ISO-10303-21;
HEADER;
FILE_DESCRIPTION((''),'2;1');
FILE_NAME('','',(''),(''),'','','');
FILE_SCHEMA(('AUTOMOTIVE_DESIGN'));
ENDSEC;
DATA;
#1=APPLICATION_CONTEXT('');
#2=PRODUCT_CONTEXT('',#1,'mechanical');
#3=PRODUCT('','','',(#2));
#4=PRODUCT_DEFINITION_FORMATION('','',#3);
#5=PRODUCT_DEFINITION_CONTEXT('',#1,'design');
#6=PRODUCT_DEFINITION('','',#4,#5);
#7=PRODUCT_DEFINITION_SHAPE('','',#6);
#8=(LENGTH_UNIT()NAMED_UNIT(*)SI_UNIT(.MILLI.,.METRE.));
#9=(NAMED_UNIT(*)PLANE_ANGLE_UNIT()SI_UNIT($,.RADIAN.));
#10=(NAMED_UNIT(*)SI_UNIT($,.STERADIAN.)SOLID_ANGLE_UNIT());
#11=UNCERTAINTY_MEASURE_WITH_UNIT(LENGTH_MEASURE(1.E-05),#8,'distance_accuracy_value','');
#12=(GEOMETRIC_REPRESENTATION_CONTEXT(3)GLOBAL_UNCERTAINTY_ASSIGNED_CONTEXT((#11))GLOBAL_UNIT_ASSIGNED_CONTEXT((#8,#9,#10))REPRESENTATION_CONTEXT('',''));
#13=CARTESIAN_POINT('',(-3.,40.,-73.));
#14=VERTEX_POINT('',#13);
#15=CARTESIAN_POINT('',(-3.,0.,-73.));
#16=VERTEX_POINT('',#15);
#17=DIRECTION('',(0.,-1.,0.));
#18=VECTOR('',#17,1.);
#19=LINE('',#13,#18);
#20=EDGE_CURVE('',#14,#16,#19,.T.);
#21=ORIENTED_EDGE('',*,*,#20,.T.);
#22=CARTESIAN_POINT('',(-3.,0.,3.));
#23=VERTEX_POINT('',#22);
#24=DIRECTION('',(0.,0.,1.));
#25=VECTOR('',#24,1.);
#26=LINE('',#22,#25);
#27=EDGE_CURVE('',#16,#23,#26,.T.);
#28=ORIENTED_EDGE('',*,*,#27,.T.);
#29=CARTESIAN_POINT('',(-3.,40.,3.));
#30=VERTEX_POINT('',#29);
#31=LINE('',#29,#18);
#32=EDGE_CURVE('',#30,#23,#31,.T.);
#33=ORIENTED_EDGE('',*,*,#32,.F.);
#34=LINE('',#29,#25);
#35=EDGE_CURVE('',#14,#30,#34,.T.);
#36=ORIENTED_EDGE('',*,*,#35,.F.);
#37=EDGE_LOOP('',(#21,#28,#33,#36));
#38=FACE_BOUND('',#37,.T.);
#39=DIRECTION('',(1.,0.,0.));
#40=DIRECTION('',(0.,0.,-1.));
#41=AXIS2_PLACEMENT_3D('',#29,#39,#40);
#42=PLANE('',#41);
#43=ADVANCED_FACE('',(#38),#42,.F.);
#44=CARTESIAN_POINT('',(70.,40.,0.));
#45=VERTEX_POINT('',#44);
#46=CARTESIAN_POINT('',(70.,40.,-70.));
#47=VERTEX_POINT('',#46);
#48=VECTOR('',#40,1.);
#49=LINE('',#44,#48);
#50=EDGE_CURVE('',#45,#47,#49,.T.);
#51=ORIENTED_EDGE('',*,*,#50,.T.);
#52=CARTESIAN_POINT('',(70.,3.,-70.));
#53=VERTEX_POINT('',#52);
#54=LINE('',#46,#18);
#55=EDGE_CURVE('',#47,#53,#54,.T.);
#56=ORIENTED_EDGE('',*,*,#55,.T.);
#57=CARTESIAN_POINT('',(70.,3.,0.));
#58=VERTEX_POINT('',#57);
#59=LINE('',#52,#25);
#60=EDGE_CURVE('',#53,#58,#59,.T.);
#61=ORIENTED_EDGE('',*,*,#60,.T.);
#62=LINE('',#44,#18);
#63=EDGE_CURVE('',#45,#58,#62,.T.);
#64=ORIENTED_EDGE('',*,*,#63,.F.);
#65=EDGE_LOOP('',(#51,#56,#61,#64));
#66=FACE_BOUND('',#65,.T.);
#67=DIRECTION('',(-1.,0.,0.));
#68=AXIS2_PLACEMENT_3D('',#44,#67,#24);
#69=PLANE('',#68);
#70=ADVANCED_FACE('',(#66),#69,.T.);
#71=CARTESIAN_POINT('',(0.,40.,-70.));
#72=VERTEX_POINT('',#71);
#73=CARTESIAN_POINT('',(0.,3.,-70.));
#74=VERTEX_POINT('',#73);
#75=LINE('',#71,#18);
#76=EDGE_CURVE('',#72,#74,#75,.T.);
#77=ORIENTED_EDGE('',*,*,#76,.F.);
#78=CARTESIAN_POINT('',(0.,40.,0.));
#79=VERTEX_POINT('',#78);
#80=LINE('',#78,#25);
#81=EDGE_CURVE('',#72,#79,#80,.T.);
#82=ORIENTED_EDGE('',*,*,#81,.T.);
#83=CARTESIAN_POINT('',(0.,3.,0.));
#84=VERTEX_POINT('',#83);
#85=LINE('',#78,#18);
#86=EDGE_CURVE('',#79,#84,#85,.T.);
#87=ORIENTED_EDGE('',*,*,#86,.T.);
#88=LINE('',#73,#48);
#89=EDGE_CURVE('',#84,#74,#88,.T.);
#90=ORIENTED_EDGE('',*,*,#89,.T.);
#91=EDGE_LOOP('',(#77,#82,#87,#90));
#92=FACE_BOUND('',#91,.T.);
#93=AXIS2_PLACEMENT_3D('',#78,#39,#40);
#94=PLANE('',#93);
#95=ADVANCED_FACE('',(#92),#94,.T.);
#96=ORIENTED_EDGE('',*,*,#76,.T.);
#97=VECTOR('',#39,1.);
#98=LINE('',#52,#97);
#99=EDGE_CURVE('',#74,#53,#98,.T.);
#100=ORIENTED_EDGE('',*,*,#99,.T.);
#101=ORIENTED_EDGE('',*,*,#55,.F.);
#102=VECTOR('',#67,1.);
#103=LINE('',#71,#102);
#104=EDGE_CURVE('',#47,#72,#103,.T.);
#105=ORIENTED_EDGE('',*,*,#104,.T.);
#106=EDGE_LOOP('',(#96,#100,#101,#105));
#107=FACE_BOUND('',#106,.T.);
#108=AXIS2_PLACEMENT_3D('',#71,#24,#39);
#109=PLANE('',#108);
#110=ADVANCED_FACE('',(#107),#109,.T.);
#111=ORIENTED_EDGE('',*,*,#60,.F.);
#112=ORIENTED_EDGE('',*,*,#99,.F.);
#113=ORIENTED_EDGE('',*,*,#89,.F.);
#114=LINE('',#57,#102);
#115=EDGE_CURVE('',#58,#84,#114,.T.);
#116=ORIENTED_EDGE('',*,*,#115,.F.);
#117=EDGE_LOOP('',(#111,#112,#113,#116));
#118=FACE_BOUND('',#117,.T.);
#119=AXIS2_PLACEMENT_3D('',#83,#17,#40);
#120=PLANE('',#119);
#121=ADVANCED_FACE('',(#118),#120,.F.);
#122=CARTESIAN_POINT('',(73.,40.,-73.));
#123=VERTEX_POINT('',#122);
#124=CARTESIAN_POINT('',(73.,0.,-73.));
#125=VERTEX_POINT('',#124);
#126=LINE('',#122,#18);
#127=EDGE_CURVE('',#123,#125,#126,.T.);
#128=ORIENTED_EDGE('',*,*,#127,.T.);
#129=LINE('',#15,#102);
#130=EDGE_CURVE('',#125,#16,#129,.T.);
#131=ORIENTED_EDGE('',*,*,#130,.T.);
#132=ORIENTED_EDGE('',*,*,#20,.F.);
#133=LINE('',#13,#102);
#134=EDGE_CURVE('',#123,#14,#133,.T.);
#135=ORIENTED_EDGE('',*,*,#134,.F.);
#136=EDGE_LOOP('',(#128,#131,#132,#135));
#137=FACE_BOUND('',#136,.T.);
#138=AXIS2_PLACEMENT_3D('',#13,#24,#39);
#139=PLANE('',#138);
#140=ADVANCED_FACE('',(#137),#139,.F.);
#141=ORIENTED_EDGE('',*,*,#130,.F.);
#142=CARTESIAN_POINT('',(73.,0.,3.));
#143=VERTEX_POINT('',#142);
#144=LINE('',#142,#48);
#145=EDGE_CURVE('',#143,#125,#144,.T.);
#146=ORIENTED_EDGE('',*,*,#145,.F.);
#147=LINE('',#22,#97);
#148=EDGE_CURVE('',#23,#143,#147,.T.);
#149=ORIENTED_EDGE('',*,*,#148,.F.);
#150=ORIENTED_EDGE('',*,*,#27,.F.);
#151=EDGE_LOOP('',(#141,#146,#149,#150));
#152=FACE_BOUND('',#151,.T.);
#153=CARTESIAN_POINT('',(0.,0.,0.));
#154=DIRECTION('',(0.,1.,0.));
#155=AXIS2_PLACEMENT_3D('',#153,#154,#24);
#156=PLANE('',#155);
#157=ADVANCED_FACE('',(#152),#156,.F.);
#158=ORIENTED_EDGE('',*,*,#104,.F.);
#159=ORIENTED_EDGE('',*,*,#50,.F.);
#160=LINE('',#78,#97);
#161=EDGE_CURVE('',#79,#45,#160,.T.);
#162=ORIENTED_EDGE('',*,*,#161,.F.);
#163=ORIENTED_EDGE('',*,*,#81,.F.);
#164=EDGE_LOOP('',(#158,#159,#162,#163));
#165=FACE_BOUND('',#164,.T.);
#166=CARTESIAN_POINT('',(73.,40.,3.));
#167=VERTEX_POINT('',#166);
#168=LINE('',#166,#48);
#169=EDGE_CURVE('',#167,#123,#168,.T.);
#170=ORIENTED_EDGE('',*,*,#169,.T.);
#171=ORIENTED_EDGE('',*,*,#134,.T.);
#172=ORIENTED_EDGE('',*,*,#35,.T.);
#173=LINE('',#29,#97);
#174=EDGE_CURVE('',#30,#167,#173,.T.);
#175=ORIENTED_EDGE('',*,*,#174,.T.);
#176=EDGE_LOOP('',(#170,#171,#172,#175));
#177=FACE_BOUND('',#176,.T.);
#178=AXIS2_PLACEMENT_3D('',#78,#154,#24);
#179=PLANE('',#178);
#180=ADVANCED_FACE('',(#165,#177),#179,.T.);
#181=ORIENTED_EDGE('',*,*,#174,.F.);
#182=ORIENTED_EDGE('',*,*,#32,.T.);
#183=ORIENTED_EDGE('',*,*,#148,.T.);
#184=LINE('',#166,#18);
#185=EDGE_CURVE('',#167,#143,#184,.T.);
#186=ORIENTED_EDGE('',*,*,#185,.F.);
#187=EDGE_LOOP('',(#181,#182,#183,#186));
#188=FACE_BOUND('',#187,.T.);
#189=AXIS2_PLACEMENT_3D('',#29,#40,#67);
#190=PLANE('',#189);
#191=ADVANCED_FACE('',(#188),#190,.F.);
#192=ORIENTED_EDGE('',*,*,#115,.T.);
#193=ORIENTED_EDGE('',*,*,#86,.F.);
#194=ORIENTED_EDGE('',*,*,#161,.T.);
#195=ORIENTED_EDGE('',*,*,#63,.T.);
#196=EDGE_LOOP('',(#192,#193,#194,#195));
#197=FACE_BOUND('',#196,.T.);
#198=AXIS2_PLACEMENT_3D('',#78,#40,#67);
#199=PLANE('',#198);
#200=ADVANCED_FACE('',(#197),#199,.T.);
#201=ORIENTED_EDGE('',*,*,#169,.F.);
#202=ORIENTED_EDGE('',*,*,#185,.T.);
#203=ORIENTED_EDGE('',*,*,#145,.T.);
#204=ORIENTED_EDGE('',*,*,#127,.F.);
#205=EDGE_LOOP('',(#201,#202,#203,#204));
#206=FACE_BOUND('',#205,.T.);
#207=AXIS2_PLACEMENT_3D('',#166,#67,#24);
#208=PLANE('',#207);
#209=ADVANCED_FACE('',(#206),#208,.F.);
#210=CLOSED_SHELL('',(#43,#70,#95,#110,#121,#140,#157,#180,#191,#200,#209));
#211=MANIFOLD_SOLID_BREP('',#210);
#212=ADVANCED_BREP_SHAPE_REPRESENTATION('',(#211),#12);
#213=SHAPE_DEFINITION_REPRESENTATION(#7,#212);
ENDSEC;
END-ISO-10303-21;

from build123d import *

# Parameters (mm, degrees)
SKETCH1_W           = 76
SKETCH1_H           = 76
SKETCH1_W_2         = 70
SKETCH1_H_2         = 70
BOSS_EXTRUDE1_DEPTH = 40
SKETCH2_W           = 70
SKETCH2_H           = 70
BOSS_EXTRUDE2_DEPTH = 3


with BuildPart() as part:
    # Sketch1 → Boss-Extrude1 (new body)
    with BuildSketch(Plane(origin=(0, 0, 0), x_dir=(1, 0, 0), z_dir=(0, 1, 0))):
        with Locations((35, 35)):
            Rectangle(SKETCH1_W, SKETCH1_H)
        with Locations((35, 35)):
            Rectangle(SKETCH1_W_2, SKETCH1_H_2, mode=Mode.SUBTRACT)
    extrude(amount=BOSS_EXTRUDE1_DEPTH)

    # Sketch2 → Boss-Extrude2 (add)
    with BuildSketch(Plane.XZ):
        with Locations((35, -35)):
            Rectangle(SKETCH2_W, SKETCH2_H)
    extrude(amount=-BOSS_EXTRUDE2_DEPTH)


solid = part.part
